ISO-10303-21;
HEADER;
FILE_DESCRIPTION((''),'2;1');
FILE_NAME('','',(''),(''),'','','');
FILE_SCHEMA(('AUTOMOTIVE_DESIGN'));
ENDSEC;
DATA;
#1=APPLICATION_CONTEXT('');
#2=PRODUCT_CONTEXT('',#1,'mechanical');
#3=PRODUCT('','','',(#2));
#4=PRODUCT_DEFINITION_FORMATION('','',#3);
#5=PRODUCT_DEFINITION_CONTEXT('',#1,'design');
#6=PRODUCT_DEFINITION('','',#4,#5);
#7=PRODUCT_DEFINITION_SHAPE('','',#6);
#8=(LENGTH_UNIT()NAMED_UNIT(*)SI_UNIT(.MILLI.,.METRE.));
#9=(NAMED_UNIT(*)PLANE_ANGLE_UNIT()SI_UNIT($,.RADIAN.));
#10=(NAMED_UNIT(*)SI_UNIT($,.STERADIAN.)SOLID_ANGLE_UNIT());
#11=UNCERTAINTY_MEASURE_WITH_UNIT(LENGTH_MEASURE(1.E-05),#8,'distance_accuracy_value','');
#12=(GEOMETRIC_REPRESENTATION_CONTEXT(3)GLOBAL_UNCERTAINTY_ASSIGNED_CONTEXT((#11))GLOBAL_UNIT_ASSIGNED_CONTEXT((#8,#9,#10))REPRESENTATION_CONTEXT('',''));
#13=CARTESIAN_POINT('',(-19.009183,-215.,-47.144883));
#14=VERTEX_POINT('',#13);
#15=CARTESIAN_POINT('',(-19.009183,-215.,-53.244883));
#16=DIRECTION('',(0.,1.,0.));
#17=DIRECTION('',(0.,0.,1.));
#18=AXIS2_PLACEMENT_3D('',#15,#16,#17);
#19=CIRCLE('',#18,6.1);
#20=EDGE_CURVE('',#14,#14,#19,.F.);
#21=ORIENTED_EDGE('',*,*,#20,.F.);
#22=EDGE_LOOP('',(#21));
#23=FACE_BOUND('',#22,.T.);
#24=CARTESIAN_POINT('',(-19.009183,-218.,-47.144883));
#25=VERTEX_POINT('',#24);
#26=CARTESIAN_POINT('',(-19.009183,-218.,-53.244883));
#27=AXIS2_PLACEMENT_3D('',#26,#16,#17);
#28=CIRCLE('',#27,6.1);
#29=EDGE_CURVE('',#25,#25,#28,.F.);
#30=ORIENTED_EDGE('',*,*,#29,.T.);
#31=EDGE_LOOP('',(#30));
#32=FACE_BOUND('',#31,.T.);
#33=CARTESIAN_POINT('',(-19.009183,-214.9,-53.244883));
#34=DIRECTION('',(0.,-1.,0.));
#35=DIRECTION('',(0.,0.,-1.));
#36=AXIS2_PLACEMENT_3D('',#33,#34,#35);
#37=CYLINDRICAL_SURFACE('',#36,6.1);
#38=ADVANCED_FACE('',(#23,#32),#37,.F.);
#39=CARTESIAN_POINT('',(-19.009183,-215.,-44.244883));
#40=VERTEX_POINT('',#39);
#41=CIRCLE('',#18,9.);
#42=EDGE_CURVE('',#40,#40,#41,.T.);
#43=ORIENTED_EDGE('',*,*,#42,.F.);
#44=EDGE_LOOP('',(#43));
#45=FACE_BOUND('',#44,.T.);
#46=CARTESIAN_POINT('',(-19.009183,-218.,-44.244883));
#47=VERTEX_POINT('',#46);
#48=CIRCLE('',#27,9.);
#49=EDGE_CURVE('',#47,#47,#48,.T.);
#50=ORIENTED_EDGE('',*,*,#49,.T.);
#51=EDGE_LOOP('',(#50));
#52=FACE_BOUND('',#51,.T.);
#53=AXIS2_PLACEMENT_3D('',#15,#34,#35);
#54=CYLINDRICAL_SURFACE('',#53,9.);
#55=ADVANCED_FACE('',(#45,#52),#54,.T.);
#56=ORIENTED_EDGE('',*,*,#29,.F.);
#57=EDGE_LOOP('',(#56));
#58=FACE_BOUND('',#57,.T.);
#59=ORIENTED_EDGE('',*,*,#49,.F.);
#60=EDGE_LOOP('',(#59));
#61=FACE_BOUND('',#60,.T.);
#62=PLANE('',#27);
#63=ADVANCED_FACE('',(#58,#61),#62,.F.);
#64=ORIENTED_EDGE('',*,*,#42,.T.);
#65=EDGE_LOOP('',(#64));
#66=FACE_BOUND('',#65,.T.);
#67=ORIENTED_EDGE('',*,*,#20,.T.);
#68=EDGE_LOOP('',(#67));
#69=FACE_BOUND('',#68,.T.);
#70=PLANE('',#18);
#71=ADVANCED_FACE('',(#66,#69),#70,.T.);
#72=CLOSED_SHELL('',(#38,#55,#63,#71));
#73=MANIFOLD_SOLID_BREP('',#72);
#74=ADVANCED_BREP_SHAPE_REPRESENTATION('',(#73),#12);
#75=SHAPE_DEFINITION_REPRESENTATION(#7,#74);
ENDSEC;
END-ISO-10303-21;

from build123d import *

# Parameters (mm, degrees)
SPACER_STOCK_SKETCH_R           = 9
SPACER_STOCK_DEPTH              = 3
AXLE_RUNNING_CLEARANCE_SKETCH_R = 6.1
AXLE_RUNNING_CLEARANCE_DEPTH    = 3.2


with BuildPart() as part:
    # Spacer stock sketch → Spacer stock (new body)
    with BuildSketch(Plane(origin=(0, -218, 0), x_dir=(1, 0, 0), z_dir=(0, 1, 0))):
        with Locations(Location((-19.009182883, 53.244882879, 0), (0, 0, 270))):
            Circle(SPACER_STOCK_SKETCH_R)
    extrude(amount=SPACER_STOCK_DEPTH)

    # Axle running clearance sketch → Axle running clearance (cut)
    with BuildSketch(Plane(origin=(0, -218.1, 0), x_dir=(1, 0, 0), z_dir=(0, 1, 0))):
        with Locations(Location((-19.009182883, 53.244882879, 0), (0, 0, 270))):
            Circle(AXLE_RUNNING_CLEARANCE_SKETCH_R)
    extrude(amount=AXLE_RUNNING_CLEARANCE_DEPTH, mode=Mode.SUBTRACT)


solid = part.part
